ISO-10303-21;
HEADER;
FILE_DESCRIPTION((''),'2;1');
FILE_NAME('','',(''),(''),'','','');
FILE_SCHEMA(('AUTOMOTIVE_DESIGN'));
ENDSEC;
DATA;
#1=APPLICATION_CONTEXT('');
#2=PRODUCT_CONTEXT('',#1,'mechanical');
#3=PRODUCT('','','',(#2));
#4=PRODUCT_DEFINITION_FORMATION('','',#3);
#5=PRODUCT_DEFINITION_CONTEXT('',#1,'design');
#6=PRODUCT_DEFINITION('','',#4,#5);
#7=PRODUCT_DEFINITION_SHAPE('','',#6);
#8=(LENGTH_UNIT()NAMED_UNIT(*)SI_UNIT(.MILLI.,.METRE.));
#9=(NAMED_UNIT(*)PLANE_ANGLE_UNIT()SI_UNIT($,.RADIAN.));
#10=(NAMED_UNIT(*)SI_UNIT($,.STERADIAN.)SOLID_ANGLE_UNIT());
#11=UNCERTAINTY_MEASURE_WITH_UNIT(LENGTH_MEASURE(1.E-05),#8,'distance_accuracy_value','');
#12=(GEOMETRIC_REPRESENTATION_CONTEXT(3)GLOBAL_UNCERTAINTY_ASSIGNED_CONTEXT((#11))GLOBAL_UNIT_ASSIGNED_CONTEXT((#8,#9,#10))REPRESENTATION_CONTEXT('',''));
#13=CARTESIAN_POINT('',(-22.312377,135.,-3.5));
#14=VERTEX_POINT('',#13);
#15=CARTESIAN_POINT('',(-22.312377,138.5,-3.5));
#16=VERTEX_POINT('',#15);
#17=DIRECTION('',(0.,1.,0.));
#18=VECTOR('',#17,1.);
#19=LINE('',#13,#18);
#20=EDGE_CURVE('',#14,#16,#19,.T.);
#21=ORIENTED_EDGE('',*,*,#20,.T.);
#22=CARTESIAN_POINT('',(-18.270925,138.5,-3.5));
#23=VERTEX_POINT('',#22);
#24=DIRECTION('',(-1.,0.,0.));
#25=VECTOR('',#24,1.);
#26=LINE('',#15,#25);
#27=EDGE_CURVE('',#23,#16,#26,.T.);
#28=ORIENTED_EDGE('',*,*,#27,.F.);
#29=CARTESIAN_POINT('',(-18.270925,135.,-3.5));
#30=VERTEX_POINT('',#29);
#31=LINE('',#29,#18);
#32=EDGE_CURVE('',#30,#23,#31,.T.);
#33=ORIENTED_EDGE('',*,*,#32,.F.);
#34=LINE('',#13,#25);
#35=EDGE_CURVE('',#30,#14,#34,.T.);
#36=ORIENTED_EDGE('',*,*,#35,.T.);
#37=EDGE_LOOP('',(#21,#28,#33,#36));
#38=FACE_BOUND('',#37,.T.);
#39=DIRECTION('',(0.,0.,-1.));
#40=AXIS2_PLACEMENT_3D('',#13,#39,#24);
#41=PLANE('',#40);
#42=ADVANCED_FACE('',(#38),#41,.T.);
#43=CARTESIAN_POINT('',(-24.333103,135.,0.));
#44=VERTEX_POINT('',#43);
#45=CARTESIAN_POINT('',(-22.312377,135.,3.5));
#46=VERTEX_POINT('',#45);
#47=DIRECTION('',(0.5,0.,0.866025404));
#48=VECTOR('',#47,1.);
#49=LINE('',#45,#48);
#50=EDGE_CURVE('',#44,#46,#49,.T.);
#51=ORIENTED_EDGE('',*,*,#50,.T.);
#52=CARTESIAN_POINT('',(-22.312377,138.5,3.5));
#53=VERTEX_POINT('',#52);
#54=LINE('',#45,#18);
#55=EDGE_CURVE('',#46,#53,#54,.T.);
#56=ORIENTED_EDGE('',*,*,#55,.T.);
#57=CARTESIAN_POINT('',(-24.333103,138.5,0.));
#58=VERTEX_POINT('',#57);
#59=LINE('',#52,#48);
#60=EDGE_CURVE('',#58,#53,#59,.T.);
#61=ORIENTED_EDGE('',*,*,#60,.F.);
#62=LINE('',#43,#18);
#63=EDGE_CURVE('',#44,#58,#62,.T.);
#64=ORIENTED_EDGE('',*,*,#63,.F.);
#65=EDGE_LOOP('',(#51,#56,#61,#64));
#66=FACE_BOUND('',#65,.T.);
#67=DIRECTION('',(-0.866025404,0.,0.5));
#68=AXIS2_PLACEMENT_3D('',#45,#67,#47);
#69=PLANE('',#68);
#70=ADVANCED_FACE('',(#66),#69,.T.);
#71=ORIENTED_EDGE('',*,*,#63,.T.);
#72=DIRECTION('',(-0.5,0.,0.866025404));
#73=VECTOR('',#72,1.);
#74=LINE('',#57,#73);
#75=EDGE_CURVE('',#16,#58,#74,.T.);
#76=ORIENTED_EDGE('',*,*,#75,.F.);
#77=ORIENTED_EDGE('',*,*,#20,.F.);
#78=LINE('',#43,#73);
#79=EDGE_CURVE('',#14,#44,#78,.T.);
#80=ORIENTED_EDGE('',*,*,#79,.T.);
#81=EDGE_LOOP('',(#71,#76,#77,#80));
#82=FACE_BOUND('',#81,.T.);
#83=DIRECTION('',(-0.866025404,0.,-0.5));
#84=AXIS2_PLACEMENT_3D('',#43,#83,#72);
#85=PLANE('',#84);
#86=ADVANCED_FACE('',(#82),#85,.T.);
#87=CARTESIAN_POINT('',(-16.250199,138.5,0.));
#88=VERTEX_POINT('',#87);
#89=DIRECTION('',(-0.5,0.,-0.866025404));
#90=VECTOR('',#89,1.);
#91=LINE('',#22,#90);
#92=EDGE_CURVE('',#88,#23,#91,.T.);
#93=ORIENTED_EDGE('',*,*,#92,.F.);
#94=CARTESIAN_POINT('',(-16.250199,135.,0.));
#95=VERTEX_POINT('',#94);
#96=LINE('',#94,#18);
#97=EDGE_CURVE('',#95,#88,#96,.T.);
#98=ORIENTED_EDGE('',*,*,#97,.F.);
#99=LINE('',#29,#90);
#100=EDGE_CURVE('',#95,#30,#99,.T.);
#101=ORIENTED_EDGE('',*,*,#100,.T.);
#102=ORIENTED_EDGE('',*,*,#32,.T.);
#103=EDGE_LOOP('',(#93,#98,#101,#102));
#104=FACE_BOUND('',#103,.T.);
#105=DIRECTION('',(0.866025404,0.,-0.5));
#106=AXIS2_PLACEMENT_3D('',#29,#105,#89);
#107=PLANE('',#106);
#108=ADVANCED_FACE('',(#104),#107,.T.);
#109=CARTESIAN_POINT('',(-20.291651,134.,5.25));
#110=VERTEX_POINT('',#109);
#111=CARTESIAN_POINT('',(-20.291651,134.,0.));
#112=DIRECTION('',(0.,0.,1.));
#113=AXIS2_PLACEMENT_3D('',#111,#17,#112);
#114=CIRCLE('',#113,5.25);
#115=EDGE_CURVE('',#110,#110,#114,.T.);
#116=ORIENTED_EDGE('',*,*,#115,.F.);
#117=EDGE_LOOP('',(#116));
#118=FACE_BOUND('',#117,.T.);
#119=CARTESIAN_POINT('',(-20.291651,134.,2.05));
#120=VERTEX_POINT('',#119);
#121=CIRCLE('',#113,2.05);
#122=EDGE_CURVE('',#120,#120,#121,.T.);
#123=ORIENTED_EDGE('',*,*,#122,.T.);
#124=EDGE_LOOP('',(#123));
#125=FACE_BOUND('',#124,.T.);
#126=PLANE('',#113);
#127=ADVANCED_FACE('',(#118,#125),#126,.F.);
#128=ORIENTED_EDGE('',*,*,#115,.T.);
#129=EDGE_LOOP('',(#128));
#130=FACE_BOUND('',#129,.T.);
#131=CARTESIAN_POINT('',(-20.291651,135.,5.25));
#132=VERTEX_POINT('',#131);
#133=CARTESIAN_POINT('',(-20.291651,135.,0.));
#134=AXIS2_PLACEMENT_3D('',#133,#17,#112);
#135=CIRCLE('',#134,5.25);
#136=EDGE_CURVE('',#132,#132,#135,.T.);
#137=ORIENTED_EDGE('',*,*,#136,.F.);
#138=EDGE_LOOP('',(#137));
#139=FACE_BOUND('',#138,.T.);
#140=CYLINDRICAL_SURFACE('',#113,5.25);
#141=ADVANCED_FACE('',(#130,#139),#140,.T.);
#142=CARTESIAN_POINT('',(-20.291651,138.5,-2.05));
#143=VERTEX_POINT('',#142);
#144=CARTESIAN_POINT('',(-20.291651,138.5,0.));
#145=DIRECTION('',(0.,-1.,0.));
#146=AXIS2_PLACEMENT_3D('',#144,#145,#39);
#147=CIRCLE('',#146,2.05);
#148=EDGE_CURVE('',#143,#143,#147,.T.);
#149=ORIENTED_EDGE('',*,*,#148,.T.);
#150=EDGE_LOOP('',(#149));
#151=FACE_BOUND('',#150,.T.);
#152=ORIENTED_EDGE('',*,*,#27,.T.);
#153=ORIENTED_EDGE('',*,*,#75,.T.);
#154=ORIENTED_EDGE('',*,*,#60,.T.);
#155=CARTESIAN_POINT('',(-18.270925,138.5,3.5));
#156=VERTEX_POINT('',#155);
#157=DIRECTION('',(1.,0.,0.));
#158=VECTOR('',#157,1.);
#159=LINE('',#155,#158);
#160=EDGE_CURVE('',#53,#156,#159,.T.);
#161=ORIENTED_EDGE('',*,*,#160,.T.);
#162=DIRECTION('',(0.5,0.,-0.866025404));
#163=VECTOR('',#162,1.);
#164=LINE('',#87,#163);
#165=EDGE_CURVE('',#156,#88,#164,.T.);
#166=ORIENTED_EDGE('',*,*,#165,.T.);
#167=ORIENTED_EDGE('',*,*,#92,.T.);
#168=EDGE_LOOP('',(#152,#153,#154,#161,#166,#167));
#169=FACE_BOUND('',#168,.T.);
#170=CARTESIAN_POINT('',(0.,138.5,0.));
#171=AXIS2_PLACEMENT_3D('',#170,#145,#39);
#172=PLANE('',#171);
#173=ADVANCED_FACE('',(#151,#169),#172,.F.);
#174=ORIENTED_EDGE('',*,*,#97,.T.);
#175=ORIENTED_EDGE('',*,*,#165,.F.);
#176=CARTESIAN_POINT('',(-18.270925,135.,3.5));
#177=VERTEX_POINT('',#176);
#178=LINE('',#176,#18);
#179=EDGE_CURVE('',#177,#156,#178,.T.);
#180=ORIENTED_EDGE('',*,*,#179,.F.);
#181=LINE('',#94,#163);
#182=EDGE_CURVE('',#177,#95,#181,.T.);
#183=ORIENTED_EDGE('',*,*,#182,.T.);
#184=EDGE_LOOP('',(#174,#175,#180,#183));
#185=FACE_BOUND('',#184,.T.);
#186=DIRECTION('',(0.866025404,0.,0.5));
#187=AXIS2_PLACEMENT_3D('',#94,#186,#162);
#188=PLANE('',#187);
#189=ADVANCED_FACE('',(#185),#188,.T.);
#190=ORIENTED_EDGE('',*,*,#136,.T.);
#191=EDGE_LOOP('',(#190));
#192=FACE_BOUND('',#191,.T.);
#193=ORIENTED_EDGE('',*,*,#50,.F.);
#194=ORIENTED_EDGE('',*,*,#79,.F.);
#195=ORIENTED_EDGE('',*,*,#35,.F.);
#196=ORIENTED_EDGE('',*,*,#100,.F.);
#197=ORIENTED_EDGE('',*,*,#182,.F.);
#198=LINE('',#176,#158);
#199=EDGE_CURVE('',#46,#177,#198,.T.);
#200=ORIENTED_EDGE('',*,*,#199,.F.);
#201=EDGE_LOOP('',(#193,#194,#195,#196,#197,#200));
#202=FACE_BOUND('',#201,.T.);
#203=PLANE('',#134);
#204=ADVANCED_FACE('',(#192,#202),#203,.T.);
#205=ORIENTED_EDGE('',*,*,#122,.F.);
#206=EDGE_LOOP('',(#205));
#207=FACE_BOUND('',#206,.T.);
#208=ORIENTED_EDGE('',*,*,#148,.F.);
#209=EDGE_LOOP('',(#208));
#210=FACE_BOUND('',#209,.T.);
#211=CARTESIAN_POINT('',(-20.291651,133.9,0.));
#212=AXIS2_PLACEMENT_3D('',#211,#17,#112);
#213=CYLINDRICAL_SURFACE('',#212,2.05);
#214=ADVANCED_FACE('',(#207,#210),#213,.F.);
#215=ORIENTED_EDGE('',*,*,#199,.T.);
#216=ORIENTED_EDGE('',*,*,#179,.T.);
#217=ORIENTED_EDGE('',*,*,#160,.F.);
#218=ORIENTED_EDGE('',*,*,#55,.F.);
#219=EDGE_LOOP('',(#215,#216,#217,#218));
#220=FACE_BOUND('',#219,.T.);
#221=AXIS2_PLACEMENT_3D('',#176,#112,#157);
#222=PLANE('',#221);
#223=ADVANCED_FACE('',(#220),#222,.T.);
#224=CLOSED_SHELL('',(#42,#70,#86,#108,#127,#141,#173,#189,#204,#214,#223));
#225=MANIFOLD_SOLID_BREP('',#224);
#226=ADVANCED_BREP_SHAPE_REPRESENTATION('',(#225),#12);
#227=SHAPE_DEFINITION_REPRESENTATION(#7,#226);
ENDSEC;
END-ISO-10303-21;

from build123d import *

# Parameters (mm, degrees)
HEX_NUT_DEPTH                     = 3.5
NUT_FLANGE_SKETCH_R               = 5.25
NUT_FLANGE_DEPTH                  = 1
M4_INTERNAL_THREAD_BLANK_SKETCH_R = 2.05
M4_INTERNAL_THREAD_BLANK_DEPTH    = 4.7


with BuildPart() as part:
    # Hex Nut Sketch → Hex Nut (new body)
    with BuildSketch(Plane(origin=(0, 138.5, 0), x_dir=(1, 0, 0), z_dir=(0, 1, 0))):
        Polygon((-16.250199362, 0), (-18.270925304, -3.5), (-22.312377188, -3.5), (-24.33310313, 0), (-22.312377188, 3.5), (-18.270925304, 3.5), align=None)
    extrude(amount=-HEX_NUT_DEPTH)

    # Nut Flange Sketch → Nut Flange (add)
    with BuildSketch(Plane(origin=(0, 135, 0), x_dir=(1, 0, 0), z_dir=(0, 1, 0))):
        with Locations(Location((-20.291651246, 0, 0), (0, 0, 270))):
            Circle(NUT_FLANGE_SKETCH_R)
    extrude(amount=-NUT_FLANGE_DEPTH)

    # M4 Internal Thread Blank Sketch → M4 Internal Thread Blank (cut)
    with BuildSketch(Plane(origin=(0, 138.6, 0), x_dir=(1, 0, 0), z_dir=(0, 1, 0))):
        with Locations(Location((-20.291651246, 0, 0), (0, 0, 270))):
            Circle(M4_INTERNAL_THREAD_BLANK_SKETCH_R)
    extrude(amount=-M4_INTERNAL_THREAD_BLANK_DEPTH, mode=Mode.SUBTRACT)


solid = part.part
